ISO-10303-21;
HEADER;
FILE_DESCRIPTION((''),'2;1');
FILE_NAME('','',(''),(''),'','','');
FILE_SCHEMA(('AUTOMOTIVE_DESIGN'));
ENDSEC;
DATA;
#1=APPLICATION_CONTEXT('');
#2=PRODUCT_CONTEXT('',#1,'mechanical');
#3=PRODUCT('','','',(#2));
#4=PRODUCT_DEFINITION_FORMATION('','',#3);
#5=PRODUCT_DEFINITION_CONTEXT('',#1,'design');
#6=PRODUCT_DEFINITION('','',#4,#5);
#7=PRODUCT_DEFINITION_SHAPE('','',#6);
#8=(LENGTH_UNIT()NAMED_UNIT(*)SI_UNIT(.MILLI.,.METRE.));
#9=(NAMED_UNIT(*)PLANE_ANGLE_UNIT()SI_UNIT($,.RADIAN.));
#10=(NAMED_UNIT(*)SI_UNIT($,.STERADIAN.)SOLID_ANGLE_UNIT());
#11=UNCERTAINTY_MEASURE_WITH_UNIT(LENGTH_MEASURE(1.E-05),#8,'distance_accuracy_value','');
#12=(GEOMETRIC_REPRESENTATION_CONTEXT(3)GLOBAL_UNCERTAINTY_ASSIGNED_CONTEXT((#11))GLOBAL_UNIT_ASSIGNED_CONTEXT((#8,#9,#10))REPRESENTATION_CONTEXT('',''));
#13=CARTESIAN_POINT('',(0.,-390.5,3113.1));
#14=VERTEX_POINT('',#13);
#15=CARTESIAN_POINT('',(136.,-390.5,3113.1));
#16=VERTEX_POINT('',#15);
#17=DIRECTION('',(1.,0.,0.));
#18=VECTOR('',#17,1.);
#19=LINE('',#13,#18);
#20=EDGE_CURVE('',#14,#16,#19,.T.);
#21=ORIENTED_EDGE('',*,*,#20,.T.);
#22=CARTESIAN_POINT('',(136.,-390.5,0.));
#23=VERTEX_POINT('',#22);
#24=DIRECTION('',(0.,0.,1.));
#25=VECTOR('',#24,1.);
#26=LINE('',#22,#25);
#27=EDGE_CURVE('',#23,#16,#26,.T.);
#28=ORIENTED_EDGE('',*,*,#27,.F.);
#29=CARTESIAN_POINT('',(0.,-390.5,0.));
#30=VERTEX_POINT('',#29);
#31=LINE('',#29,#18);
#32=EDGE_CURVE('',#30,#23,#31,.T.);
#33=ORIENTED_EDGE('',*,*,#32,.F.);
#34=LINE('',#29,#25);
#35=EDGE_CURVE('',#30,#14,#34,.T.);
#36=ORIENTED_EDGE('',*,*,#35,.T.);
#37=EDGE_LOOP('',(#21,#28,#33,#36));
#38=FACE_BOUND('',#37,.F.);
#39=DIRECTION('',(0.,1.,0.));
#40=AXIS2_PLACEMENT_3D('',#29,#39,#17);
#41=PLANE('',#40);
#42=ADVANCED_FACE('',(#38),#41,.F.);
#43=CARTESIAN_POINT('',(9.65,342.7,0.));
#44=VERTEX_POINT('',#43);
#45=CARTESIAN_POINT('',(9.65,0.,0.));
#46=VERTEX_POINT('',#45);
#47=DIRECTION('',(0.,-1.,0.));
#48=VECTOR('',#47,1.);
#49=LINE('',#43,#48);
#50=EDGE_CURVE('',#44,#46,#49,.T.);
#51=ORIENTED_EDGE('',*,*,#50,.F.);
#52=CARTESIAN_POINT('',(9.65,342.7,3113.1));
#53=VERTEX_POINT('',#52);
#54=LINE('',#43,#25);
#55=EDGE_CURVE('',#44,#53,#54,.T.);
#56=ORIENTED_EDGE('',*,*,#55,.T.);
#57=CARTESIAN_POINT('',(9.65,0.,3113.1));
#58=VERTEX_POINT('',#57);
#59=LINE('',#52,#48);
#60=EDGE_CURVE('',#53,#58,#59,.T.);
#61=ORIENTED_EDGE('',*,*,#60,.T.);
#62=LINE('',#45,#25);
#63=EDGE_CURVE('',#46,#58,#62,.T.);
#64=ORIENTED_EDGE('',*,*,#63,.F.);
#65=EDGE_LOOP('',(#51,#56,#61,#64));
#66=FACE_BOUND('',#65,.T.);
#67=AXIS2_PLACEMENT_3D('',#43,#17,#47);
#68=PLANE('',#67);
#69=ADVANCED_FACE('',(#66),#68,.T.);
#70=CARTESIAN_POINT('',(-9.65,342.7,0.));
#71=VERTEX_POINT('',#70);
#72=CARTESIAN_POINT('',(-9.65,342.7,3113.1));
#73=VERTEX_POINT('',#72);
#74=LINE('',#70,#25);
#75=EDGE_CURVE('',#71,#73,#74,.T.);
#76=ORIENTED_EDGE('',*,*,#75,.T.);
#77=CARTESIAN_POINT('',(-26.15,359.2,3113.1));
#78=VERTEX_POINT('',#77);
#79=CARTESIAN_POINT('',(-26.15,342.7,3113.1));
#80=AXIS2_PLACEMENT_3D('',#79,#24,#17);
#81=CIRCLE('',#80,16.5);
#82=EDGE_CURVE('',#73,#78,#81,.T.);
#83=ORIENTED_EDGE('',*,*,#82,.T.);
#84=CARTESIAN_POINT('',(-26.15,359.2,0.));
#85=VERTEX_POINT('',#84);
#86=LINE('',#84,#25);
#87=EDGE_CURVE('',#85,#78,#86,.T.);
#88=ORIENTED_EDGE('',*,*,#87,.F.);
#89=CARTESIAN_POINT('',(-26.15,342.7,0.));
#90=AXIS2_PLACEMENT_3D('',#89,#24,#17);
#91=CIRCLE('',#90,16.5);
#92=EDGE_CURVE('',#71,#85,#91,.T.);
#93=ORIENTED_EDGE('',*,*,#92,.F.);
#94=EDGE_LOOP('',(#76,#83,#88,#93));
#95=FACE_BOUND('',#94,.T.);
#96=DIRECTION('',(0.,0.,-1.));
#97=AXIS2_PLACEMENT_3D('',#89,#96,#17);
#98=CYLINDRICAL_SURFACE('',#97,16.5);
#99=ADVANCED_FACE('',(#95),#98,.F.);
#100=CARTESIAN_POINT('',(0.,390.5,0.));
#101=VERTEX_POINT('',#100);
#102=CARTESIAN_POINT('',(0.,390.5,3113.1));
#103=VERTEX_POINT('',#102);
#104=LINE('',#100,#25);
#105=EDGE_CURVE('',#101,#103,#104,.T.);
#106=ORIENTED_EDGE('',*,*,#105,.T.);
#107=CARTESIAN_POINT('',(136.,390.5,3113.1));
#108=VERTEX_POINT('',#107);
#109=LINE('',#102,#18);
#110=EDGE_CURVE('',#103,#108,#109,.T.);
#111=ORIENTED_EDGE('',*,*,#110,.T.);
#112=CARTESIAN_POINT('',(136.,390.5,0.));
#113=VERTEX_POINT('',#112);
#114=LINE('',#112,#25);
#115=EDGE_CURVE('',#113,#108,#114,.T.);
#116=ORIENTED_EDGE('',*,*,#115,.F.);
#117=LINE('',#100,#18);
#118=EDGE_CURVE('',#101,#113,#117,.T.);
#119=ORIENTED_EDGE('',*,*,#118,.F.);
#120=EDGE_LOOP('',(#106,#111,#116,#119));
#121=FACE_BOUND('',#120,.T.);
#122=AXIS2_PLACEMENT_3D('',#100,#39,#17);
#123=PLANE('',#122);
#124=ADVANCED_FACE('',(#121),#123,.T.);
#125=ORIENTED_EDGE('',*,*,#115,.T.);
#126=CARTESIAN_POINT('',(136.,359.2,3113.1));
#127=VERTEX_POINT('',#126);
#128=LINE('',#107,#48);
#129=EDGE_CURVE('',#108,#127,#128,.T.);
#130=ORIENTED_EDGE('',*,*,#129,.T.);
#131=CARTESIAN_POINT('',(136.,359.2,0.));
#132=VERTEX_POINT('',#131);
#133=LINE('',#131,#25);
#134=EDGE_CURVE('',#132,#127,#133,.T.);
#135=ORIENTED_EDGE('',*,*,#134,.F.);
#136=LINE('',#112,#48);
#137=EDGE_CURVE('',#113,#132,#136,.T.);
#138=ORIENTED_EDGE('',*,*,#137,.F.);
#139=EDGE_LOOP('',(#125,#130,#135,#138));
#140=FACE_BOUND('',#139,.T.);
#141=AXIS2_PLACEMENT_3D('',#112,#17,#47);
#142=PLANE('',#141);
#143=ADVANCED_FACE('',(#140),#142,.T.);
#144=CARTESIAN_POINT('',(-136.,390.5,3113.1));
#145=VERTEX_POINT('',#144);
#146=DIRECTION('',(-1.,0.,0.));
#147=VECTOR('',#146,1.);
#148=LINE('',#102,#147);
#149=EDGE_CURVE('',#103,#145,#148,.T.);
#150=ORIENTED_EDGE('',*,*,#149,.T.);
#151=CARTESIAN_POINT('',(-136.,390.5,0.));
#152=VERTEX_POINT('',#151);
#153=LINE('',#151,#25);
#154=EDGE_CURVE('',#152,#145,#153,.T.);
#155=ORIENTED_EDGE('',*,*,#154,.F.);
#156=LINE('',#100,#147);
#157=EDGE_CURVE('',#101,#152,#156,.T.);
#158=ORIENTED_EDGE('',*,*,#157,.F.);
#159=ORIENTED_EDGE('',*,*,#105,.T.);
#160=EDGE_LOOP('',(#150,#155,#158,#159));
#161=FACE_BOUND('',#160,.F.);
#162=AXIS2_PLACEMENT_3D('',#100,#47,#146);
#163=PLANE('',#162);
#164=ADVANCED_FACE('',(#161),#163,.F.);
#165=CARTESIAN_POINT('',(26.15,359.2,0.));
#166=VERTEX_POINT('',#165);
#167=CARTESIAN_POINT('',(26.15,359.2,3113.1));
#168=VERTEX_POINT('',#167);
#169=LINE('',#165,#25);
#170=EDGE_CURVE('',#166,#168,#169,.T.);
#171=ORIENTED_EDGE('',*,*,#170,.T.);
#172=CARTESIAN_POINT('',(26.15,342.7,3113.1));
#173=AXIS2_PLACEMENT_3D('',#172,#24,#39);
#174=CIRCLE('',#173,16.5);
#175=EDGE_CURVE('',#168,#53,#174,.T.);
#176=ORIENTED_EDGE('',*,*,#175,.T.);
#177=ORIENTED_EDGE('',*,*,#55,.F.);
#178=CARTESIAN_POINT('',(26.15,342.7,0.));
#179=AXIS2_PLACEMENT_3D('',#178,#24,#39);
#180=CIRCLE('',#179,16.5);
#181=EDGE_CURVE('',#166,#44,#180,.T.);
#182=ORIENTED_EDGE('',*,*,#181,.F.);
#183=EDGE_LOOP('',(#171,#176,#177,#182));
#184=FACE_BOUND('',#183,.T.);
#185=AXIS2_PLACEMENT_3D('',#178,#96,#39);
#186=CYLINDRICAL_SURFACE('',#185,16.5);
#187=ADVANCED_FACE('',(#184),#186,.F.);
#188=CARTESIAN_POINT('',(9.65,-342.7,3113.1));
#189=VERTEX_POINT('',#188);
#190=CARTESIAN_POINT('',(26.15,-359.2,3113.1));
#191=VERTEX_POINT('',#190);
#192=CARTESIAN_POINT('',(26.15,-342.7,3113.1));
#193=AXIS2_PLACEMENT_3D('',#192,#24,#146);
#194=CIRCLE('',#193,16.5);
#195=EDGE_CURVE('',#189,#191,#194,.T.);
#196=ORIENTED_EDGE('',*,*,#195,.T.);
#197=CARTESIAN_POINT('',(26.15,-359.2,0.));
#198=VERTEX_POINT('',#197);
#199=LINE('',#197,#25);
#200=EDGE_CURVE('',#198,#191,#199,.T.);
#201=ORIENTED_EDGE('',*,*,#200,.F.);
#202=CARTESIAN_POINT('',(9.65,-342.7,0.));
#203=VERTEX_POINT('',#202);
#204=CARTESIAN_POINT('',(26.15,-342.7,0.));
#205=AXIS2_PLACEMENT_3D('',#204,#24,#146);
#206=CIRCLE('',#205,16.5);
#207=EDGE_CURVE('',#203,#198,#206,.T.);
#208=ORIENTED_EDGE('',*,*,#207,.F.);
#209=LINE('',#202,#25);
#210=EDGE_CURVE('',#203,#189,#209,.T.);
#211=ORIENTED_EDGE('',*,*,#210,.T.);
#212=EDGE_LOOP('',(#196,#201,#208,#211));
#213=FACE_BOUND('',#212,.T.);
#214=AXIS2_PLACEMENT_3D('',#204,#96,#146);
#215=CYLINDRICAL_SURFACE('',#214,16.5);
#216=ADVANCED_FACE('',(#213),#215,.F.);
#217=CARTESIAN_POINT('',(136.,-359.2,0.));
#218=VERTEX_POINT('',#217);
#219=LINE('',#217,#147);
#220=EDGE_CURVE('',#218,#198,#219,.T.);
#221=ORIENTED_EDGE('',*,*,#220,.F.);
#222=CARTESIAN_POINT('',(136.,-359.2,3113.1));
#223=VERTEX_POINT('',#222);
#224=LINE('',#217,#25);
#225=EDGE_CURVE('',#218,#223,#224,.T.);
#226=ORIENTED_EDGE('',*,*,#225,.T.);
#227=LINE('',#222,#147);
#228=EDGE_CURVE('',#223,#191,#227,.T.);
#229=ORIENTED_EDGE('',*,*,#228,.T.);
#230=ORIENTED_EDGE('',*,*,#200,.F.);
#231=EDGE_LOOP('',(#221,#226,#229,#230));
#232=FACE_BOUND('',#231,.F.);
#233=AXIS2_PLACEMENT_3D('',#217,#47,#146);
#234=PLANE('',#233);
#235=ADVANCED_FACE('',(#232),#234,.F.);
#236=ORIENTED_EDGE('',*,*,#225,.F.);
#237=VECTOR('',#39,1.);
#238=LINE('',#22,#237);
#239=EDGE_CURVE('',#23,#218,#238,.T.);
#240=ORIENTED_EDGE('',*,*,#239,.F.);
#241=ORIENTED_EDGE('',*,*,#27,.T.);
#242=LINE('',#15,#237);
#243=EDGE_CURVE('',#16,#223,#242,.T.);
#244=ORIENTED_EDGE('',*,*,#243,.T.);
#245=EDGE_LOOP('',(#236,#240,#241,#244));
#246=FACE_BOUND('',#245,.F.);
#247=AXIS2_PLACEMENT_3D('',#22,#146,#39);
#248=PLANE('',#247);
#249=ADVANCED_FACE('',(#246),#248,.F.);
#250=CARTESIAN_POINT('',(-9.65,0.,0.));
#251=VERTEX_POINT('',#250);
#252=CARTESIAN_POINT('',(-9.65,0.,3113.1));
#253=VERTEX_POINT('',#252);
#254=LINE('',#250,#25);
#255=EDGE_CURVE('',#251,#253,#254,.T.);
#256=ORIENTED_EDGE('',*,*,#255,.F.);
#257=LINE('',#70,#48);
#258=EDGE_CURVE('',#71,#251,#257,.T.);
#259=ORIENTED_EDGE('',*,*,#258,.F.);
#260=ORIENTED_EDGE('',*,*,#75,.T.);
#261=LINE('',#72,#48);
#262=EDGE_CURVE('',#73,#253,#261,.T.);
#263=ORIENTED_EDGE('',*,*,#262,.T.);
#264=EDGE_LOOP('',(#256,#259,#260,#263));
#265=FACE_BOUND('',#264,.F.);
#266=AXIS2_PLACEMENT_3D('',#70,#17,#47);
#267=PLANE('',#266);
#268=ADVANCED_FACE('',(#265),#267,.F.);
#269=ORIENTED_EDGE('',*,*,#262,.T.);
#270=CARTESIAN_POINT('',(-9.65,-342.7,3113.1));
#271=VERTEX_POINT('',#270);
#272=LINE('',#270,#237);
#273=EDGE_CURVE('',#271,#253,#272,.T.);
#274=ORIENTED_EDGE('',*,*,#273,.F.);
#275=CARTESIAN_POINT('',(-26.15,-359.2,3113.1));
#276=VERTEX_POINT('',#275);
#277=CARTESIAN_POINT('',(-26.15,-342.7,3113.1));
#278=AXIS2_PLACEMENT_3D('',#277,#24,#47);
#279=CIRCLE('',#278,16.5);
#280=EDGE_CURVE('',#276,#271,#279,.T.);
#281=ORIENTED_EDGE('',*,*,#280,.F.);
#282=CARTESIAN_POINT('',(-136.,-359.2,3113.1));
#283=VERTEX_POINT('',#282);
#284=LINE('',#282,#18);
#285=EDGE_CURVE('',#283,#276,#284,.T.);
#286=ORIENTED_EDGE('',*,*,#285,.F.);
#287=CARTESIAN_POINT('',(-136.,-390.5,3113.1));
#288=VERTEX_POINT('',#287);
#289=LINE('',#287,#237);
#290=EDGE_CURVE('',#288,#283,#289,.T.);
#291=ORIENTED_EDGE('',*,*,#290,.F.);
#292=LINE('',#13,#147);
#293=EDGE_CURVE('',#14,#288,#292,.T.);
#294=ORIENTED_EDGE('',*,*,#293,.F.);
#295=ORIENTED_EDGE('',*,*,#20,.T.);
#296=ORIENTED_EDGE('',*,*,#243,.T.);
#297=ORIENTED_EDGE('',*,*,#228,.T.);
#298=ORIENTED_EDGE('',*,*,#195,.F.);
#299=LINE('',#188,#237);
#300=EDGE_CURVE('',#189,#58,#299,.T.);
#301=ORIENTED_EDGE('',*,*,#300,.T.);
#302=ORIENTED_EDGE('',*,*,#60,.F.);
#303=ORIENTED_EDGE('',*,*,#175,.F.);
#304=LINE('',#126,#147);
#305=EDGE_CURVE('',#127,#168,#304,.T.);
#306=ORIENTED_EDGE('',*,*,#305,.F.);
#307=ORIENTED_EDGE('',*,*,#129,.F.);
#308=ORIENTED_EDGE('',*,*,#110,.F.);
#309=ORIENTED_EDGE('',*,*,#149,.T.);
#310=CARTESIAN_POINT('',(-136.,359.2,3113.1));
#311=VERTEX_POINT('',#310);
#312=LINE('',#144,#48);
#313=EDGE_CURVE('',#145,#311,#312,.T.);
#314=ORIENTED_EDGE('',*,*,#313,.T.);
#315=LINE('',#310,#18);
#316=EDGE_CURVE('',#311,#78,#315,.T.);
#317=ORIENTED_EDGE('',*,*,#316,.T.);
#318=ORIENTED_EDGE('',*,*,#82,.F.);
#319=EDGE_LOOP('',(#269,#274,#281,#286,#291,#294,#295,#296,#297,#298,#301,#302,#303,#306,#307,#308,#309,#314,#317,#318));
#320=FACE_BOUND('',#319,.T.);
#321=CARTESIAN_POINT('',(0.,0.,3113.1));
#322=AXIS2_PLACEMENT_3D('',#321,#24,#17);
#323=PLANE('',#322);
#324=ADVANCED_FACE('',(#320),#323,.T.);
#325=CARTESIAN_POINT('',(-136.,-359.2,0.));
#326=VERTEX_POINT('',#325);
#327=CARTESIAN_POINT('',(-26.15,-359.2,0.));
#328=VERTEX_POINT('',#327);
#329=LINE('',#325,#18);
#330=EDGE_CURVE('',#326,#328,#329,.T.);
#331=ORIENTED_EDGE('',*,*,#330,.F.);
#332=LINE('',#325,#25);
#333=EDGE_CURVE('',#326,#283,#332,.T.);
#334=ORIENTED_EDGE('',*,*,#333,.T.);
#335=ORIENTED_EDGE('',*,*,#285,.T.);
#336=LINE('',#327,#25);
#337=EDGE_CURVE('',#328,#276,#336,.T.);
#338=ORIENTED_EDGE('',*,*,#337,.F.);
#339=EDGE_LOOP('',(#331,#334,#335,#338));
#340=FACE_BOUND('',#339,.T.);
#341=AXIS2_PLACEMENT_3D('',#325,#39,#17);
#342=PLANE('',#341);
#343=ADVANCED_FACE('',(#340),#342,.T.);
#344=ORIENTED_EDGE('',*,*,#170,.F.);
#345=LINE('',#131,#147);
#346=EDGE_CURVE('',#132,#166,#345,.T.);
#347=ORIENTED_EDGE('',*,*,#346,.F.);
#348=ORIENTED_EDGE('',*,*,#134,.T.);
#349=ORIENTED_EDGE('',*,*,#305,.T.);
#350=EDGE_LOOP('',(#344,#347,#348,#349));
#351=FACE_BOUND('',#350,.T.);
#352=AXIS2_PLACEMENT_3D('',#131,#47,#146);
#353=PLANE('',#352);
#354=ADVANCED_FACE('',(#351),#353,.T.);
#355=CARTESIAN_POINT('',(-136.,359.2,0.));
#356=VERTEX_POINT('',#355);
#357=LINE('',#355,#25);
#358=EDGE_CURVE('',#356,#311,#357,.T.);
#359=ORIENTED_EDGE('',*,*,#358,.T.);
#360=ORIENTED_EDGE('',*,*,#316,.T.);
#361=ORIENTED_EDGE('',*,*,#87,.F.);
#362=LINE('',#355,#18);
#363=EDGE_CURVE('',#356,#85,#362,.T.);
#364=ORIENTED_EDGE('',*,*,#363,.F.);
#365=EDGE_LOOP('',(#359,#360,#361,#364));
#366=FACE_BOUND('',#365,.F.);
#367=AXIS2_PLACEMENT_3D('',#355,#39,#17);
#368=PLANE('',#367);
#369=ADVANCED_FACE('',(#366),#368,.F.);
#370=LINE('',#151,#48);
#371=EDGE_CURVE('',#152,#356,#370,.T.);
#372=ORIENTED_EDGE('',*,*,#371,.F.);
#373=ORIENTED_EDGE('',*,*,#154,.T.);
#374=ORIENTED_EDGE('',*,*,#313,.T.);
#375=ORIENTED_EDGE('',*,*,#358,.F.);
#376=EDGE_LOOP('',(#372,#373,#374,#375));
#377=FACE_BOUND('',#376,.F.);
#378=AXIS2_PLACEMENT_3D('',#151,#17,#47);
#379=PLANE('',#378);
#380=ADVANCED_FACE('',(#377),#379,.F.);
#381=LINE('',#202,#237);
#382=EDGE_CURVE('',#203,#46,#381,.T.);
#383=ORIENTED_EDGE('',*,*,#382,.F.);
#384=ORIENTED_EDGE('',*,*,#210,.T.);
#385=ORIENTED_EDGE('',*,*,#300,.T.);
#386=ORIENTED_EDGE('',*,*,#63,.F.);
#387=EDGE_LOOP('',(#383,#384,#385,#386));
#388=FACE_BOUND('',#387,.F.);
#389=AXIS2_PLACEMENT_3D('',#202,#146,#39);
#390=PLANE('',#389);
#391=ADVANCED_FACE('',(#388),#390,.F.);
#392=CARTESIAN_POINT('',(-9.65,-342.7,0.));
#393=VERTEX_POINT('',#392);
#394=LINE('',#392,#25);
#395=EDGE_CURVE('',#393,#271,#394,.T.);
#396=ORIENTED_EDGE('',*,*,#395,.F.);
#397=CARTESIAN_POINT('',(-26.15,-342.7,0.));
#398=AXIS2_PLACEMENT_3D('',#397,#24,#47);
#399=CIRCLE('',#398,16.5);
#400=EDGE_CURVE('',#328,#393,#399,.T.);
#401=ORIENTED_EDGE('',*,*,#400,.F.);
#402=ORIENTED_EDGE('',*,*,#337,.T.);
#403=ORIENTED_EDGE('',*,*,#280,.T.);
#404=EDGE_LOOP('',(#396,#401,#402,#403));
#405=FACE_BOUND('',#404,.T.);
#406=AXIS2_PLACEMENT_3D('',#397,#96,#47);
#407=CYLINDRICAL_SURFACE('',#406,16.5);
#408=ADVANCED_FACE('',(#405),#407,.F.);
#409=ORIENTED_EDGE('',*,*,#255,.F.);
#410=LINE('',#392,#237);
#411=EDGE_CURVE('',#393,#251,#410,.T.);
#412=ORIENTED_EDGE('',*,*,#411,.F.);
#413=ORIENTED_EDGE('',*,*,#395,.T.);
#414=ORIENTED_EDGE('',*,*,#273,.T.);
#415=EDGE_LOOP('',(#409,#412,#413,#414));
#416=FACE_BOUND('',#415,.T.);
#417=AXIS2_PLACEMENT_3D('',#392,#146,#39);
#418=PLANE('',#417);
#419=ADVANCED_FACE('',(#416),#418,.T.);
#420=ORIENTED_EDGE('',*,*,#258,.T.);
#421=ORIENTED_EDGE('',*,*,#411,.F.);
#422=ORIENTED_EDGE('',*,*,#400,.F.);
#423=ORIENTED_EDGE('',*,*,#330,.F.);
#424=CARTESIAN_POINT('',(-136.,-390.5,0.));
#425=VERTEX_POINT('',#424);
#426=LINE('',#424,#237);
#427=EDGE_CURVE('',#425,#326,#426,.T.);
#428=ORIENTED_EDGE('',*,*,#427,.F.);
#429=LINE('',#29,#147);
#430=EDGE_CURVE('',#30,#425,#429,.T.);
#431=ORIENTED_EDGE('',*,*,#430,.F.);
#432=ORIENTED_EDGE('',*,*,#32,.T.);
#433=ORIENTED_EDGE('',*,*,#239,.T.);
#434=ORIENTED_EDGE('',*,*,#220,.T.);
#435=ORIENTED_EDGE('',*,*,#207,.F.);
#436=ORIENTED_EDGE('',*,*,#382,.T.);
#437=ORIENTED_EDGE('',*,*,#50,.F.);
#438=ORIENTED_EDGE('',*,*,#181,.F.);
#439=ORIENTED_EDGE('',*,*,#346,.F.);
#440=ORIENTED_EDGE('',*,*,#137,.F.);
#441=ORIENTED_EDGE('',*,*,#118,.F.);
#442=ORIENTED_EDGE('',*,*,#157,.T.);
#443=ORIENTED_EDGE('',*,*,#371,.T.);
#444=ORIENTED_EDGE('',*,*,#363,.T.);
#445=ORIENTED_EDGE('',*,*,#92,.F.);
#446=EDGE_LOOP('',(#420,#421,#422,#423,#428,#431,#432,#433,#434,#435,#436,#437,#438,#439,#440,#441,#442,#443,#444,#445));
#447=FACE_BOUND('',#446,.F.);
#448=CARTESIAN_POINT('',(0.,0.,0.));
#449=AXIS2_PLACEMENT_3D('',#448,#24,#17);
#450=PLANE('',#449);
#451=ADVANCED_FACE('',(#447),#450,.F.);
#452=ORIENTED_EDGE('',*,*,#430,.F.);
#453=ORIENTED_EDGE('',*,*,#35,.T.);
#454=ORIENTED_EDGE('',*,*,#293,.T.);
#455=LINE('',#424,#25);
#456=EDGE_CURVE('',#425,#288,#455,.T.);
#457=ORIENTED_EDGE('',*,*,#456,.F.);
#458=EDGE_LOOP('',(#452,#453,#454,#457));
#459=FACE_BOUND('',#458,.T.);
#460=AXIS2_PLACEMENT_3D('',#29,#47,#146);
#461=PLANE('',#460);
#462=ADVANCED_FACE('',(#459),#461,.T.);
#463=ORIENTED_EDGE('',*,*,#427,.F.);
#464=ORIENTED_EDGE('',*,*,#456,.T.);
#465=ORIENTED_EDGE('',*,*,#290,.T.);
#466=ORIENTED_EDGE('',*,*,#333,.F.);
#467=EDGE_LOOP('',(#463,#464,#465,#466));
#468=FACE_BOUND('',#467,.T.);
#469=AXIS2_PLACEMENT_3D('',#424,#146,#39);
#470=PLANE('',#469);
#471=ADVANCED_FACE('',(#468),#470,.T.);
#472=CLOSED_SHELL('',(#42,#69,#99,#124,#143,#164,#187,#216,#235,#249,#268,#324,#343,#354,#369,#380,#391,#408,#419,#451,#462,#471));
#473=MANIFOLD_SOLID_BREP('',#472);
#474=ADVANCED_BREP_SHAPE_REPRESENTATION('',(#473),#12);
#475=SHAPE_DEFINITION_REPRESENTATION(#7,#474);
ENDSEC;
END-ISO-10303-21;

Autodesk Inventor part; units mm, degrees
ref_plane "YZ Plane" through (0, 0, 0) normal (1, 0, 0) x (0, 1, 0)
ref_plane "Start plane" through (0, 0, 0) normal (0, 0, 1) x (1, 0, 0)
ref_plane "End plane" through (0, 0, 3113.1) normal (0, 0, 1) x (1, 0, 0)
sketch "Sketch" plane through (0, 0, 0) normal (0, 0, 1) x (1, 0, 0)
  line L0 (-136, -390.5) -> (-136, -359.2)
  line L1 (-136, -359.2) -> (-26.15, -359.2)
  line L2 (-9.65, -342.7) -> (-9.65, 0)
  line L3 (-9.65, 0) -> (0, 0) construction
  line L4 (0, 0) -> (0, -390.5) construction
  line L5 (0, -390.5) -> (-136, -390.5)
  line L6 (-60, 0) -> (80, 0) construction
  line L7 (0, -60) -> (0, 80) construction
  line L8 (136, -390.5) -> (136, -359.2)
  line L9 (136, -359.2) -> (26.15, -359.2)
  line L10 (9.65, -342.7) -> (9.65, 0)
  line L11 (9.65, 0) -> (0, 0) construction
  line L12 (0, -390.5) -> (136, -390.5)
  line L13 (-136, 390.5) -> (-136, 359.2)
  line L14 (-136, 359.2) -> (-26.15, 359.2)
  line L15 (-9.65, 342.7) -> (-9.65, 0)
  line L16 (0, 390.5) -> (-136, 390.5)
  line L17 (136, 390.5) -> (136, 359.2)
  line L18 (136, 359.2) -> (26.15, 359.2)
  line L19 (0, 390.5) -> (136, 390.5)
  line L20 (9.65, 342.7) -> (9.65, 0)
  arc A0 (-9.65, 342.7) -> (-26.15, 359.2) centre (-26.15, 342.7) ccw
  arc A1 (26.15, 359.2) -> (9.65, 342.7) centre (26.15, 342.7) ccw
  arc A2 (9.65, -342.7) -> (26.15, -359.2) centre (26.15, -342.7) ccw
  arc A3 (-26.15, -359.2) -> (-9.65, -342.7) centre (-26.15, -342.7) ccw
  line L21 (0, 108) -> (0, -88) construction
  line L22 (-88, 0) -> (108, 0) construction
  point P0 (-9.65, -359.2)
  point P1 (9.65, -359.2)
  point P2 (-9.65, 359.2)
  point P3 (9.65, 359.2)
  dimension "d1" = 390.5
  dimension "d2" = 31.3
  dimension "d3" = 136
  dimension "d4" = 9.65
  dimension "d10" = 16.5
extrude "Body" add sketch "Sketch" along normal up to surface (3113.1 mm away) from surface at 0
sketch "Sketch4" plane through (0, 0, 0) normal (0, 0, 1) x (1, 0, 0)
  line L0 (0, 0) -> (10, 0)
ref_plane "Work Plane3" through (0, 0, 0) normal (0, -1, 0) x (1, 0, 0)
sketch "Sketch5" plane through (0, 0, 0) normal (0, -1, 0) x (1, 0, 0)
  line L0 (-2, 0) -> (12, 0) projected
  line L1 (-2, 3113.1) -> (12, 3113.1) projected
  dimension "d14" = 3113.1
equation "\"d1\" = 0.5 * G_H"
equation "\"d2\" = G_T1"
equation "\"d3\" = 0.5 * G_W"
equation "\"d4\" = 0.5 * G_T"
equation "\"d10\" = G_IR"
equation "\"d5\" = G_L"
equation "\"G_W\" = 272"
equation "\"G_H\" = 781"
equation "\"G_T\" = 19.3"
equation "\"G_T1\" = 31.3"
equation "\"G_IR\" = 16.5"
equation "\"G_L\" = d14"
equation "\"G_OFFSET_START\" = 0"
equation "\"G_OFFSET_END\" = 0"
equation "\"d12\" = G_OFFSET_END + B_L"
equation "\"B_L\" = 3113.1"
properties part number "AS 3679-1990 - 760 UB - 244 - 3113.1" material "Steel, Mild"
